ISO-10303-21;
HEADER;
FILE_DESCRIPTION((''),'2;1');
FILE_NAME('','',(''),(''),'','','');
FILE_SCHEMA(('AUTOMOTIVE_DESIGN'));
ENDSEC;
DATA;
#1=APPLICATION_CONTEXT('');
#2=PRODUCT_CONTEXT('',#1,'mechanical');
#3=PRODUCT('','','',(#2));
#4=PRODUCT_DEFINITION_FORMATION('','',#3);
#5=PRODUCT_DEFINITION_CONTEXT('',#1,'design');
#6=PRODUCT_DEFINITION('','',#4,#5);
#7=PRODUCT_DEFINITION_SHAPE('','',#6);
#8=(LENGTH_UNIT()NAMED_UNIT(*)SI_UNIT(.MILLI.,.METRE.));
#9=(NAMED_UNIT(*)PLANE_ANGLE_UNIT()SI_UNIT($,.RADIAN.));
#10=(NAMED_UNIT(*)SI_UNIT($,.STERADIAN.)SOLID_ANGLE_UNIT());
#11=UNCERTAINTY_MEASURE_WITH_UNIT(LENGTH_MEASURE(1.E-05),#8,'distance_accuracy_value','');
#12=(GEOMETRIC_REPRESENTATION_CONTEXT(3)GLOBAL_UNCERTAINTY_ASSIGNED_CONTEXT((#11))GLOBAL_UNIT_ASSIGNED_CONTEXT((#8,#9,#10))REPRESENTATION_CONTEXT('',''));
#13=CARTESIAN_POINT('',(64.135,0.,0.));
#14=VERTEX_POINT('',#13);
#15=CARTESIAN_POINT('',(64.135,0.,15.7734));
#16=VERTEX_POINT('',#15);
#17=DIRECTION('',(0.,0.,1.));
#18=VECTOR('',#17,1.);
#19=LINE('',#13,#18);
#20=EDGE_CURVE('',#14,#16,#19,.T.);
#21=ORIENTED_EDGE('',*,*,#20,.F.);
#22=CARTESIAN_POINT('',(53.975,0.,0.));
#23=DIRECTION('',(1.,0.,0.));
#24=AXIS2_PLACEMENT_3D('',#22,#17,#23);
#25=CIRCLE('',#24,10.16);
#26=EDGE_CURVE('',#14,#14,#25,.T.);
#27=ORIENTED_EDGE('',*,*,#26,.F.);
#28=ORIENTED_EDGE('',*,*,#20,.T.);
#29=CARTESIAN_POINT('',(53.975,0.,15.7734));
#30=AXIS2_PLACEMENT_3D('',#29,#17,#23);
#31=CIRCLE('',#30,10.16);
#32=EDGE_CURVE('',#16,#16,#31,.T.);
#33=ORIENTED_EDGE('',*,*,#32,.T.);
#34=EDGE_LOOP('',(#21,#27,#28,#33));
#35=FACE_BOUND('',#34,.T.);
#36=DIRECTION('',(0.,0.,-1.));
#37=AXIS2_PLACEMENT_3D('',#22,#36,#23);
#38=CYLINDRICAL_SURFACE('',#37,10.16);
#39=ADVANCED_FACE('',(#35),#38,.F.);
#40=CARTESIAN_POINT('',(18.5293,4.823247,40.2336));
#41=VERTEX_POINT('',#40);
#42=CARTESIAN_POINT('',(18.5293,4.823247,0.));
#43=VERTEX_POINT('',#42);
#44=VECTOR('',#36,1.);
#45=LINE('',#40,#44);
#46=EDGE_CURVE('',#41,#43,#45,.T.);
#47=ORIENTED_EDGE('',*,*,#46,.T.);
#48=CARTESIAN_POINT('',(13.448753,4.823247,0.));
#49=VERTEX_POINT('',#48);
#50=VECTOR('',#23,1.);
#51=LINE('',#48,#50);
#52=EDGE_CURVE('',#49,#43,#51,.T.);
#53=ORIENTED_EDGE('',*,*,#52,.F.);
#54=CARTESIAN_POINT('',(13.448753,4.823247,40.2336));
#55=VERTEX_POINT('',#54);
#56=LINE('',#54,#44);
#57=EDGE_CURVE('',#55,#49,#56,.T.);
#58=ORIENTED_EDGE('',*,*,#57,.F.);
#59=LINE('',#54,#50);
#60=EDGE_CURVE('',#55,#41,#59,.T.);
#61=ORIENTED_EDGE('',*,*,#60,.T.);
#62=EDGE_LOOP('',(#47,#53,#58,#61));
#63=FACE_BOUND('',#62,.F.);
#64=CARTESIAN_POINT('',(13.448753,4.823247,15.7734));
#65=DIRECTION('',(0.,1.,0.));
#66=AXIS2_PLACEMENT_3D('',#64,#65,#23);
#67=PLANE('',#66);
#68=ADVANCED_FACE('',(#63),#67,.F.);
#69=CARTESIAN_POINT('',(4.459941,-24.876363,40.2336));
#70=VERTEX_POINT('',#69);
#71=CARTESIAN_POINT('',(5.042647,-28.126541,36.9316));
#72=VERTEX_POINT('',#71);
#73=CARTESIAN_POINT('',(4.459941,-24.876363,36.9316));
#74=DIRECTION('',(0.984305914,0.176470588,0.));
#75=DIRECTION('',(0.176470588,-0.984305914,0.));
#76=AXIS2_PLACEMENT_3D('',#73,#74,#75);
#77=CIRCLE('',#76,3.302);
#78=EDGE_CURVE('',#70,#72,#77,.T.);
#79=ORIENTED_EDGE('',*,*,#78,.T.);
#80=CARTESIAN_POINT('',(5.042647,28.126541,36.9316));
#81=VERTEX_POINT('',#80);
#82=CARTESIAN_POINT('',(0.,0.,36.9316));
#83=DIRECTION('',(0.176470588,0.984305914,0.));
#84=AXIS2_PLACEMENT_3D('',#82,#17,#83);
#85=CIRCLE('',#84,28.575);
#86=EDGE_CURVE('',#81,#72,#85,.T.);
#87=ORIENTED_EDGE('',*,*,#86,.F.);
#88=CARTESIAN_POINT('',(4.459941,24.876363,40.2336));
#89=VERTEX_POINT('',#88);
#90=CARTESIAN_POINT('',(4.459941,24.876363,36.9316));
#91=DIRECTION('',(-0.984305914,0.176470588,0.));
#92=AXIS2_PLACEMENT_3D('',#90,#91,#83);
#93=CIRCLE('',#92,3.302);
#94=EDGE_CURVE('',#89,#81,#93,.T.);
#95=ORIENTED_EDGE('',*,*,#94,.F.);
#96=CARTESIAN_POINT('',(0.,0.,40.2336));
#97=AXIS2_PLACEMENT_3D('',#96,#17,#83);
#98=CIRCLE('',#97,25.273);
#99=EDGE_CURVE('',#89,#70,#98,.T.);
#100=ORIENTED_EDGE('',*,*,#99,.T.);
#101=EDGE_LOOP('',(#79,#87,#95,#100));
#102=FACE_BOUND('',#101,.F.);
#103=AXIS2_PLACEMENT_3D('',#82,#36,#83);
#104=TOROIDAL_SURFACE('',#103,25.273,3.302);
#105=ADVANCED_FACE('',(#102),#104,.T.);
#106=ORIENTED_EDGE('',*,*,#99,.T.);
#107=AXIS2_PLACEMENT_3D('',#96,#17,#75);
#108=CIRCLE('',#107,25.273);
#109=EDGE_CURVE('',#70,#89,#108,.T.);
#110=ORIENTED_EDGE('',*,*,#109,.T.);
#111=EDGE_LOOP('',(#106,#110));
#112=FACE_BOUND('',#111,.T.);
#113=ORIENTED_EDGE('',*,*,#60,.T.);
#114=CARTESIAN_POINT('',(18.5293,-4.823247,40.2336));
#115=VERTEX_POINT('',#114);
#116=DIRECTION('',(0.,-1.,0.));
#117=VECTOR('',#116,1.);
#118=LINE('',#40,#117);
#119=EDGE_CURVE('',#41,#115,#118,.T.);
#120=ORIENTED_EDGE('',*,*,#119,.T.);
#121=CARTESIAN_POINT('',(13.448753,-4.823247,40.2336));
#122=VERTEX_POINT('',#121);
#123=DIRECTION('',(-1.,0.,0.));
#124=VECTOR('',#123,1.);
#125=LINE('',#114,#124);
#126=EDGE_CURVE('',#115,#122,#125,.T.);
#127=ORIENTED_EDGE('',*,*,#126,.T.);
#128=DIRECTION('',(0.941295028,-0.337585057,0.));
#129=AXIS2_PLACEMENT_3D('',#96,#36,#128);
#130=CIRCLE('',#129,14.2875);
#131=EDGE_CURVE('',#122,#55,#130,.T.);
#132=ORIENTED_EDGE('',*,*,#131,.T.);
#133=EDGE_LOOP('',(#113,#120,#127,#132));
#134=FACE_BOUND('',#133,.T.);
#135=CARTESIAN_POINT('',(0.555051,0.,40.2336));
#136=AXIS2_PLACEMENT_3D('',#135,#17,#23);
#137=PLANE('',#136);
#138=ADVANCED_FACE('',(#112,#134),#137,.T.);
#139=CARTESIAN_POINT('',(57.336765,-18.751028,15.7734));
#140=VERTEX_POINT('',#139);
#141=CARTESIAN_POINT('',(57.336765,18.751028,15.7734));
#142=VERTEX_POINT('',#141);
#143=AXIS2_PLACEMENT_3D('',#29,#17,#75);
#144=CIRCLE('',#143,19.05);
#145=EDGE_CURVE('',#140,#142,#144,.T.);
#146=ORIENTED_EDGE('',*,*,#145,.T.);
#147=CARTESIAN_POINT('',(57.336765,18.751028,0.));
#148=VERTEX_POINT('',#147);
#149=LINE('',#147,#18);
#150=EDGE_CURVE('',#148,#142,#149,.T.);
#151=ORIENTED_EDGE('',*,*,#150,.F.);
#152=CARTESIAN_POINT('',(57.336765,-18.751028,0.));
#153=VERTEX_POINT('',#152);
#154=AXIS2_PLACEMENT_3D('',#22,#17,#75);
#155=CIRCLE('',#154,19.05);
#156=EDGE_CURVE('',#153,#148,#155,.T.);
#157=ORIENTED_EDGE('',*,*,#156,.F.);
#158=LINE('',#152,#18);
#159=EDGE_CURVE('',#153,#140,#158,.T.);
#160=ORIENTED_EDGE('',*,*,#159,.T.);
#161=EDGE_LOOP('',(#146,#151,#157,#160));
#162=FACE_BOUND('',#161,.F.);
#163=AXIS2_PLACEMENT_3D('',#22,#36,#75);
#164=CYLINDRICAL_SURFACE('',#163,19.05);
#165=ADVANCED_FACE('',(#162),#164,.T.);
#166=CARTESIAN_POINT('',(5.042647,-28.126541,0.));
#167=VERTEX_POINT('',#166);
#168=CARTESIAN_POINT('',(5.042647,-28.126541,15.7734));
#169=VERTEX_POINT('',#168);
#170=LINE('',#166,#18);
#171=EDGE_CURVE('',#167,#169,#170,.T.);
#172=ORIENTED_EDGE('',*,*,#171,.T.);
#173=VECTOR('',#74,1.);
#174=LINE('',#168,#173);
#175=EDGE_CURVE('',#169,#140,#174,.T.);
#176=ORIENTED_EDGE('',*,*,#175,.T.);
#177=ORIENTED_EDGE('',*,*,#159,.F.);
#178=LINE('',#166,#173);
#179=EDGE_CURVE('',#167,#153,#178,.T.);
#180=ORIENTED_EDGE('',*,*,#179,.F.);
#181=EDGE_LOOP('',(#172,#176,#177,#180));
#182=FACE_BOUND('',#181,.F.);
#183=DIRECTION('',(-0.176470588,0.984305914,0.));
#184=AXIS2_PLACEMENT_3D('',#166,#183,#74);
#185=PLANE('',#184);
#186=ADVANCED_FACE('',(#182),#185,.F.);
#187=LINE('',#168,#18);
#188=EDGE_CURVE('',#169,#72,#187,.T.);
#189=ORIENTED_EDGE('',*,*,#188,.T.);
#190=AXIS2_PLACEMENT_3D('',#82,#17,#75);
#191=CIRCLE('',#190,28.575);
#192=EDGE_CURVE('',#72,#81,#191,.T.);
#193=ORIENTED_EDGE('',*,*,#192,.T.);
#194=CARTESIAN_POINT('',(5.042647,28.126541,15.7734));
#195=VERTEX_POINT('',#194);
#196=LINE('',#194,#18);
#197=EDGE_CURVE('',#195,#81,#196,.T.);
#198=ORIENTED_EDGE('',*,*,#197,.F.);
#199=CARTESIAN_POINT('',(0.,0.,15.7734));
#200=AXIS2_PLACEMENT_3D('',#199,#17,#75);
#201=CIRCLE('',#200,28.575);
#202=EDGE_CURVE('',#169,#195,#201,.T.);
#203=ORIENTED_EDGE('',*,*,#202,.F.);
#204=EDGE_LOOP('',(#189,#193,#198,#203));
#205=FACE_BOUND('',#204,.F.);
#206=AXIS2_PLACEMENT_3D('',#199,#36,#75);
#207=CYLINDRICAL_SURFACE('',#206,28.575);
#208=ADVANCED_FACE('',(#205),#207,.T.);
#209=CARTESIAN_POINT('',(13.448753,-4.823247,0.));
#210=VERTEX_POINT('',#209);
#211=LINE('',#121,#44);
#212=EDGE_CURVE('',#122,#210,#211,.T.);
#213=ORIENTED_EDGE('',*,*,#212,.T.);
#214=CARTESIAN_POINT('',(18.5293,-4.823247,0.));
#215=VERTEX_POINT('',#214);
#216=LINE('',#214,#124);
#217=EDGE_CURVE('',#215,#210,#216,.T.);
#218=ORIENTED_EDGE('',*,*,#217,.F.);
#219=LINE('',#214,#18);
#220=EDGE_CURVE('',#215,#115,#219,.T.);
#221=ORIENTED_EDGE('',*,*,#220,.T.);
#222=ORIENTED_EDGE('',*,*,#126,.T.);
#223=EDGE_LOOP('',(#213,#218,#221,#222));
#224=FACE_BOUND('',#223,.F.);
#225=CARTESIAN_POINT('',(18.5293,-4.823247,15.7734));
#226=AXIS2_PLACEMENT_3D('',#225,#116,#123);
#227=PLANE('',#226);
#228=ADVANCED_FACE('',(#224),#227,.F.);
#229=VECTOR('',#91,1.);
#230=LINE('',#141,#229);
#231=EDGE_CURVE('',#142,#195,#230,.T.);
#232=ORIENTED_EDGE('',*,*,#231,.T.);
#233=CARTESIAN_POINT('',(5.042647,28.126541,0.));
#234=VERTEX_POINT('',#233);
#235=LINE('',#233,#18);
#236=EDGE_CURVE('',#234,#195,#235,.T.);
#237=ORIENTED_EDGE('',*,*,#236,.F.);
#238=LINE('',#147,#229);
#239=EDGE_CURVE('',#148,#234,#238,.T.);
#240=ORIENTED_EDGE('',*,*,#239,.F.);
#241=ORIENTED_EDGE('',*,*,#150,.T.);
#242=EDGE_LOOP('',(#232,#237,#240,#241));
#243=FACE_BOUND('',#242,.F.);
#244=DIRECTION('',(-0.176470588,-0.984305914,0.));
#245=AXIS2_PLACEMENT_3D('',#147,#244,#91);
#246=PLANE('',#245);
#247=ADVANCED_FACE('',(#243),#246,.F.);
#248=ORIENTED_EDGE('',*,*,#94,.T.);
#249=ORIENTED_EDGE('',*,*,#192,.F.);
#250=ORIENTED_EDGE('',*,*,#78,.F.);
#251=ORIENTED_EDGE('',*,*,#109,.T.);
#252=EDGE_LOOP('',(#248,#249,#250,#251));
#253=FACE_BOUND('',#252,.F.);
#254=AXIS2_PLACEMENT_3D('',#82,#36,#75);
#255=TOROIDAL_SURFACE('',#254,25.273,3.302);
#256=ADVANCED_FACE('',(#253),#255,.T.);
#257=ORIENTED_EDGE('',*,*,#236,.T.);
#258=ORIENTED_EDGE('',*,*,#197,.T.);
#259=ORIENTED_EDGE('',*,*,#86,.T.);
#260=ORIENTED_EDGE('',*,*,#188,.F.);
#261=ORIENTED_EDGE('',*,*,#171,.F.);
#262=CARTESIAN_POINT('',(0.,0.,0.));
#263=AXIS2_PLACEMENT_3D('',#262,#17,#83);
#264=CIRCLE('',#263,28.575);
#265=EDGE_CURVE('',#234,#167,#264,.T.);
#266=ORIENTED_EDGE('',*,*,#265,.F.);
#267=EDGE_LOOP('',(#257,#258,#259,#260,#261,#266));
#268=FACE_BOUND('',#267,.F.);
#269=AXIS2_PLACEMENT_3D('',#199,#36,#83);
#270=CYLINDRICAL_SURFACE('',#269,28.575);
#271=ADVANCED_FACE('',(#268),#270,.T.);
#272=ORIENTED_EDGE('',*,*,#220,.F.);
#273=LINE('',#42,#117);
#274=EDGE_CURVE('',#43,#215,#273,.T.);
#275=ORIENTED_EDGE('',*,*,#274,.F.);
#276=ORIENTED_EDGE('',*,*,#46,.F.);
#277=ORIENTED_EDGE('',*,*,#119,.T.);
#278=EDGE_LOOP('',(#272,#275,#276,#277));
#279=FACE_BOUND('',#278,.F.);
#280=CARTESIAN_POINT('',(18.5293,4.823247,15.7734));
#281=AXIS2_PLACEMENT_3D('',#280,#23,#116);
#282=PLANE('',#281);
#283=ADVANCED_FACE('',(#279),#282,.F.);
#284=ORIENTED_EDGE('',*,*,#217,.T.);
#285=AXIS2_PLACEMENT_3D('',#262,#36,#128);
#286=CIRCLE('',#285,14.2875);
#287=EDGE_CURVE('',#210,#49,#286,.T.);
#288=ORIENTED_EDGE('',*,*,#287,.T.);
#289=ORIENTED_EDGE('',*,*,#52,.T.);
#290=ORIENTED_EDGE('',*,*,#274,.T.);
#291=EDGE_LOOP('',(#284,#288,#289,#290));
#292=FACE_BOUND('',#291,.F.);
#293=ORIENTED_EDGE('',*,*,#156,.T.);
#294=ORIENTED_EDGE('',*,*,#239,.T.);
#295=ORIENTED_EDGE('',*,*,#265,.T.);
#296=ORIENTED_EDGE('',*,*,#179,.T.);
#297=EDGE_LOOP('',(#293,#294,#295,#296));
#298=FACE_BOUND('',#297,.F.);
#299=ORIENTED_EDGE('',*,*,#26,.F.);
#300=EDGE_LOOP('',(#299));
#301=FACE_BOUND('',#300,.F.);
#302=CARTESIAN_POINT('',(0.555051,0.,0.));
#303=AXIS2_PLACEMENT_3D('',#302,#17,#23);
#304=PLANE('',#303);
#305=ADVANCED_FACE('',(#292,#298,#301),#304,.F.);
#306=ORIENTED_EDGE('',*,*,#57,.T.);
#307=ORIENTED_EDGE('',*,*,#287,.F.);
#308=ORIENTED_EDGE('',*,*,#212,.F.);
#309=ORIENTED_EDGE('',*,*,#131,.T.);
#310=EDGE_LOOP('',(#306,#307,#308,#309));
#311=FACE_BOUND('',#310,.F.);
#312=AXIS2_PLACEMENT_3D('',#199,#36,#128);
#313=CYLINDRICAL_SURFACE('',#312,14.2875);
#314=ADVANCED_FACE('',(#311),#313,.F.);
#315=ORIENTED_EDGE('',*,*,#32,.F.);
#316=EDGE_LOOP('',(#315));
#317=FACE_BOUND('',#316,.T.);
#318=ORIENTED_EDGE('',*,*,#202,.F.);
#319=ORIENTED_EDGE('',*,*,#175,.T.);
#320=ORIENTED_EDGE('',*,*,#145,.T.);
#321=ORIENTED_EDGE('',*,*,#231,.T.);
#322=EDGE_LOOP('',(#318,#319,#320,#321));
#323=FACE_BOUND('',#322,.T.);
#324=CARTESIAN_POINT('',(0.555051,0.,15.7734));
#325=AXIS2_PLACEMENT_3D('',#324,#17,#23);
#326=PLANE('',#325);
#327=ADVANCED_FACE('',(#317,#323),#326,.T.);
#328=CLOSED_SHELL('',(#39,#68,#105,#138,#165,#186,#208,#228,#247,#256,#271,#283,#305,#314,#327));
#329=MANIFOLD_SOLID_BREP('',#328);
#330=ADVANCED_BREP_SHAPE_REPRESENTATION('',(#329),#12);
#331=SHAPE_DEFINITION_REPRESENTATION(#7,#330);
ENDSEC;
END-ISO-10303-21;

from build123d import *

# Parameters (mm, degrees)
F0_R     = 10.16
F1_DEPTH = 15.7734
F3_DEPTH = 24.4602
F4_R     = 3.302


with BuildPart() as f1:
    # F0 (on Top) → F1 (new body)
    with BuildSketch(Plane.XY):
        with BuildLine():
            ThreePointArc((5.0426470588, -28.1265414802), (21.9160245563, -18.3362616868), (28.575, 0))
            ThreePointArc((28.575, 0), (21.9160245563, 18.3362616868), (5.0426470588, 28.1265414802))
            ThreePointArc((5.0426470588, 28.1265414802), (-28.575, 0), (5.0426470588, -28.1265414802))
        make_face()
        with BuildLine():
            ThreePointArc((13.448752708, -4.8232465051), (-14.2875, 0), (13.448752708, 4.8232465051))
            Line((13.448752708, 4.8232465051), (18.5293, 4.8232465051))
            Line((18.5293, 4.8232465051), (18.5293, -4.8232465051))
            Line((18.5293, -4.8232465051), (13.448752708, -4.8232465051))
        make_face(mode=Mode.SUBTRACT)
        with BuildLine():
            ThreePointArc((5.0426470588, 28.1265414802), (21.9160245563, 18.3362616868), (28.575, 0))
            ThreePointArc((28.575, 0), (21.9160245563, -18.3362616868), (5.0426470588, -28.1265414802))
            Line((5.0426470588, -28.1265414802), (57.3367647059, -18.7510276535))
            ThreePointArc((57.3367647059, -18.7510276535), (73.025, 0), (57.3367647059, 18.7510276535))
            Line((57.3367647059, 18.7510276535), (5.0426470588, 28.1265414802))
        make_face()
        with Locations((53.975, 0)):
            Circle(F0_R, mode=Mode.SUBTRACT)
    extrude(amount=F1_DEPTH)

    # F2 (on face) → F3 (join)
    with BuildSketch(Plane.XY.offset(15.7734)):
        with BuildLine():
            ThreePointArc((5.0426470588, -28.1265414802), (21.9160245563, -18.3362616868), (28.575, 0))
            ThreePointArc((28.575, 0), (21.9160245563, 18.3362616868), (5.0426470588, 28.1265414802))
            ThreePointArc((5.0426470588, 28.1265414802), (-28.575, 0), (5.0426470588, -28.1265414802))
        make_face()
        with BuildLine():
            Line((18.5293, -4.8232465051), (13.448752708, -4.8232465051))
            ThreePointArc((13.448752708, -4.8232465051), (-14.2875, 0), (13.448752708, 4.8232465051))
            Line((13.448752708, 4.8232465051), (18.5293, 4.8232465051))
            Line((18.5293, 4.8232465051), (18.5293, -4.8232465051))
        make_face(mode=Mode.SUBTRACT)
    extrude(amount=F3_DEPTH)

    # F4
    f4_edges = [f1.edges().sort_by_distance(p)[0] for p in [
        (-5.042647, 28.126541, 40.2336),
    ]]
    fillet(f4_edges, radius=F4_R)


solid = f1.part
